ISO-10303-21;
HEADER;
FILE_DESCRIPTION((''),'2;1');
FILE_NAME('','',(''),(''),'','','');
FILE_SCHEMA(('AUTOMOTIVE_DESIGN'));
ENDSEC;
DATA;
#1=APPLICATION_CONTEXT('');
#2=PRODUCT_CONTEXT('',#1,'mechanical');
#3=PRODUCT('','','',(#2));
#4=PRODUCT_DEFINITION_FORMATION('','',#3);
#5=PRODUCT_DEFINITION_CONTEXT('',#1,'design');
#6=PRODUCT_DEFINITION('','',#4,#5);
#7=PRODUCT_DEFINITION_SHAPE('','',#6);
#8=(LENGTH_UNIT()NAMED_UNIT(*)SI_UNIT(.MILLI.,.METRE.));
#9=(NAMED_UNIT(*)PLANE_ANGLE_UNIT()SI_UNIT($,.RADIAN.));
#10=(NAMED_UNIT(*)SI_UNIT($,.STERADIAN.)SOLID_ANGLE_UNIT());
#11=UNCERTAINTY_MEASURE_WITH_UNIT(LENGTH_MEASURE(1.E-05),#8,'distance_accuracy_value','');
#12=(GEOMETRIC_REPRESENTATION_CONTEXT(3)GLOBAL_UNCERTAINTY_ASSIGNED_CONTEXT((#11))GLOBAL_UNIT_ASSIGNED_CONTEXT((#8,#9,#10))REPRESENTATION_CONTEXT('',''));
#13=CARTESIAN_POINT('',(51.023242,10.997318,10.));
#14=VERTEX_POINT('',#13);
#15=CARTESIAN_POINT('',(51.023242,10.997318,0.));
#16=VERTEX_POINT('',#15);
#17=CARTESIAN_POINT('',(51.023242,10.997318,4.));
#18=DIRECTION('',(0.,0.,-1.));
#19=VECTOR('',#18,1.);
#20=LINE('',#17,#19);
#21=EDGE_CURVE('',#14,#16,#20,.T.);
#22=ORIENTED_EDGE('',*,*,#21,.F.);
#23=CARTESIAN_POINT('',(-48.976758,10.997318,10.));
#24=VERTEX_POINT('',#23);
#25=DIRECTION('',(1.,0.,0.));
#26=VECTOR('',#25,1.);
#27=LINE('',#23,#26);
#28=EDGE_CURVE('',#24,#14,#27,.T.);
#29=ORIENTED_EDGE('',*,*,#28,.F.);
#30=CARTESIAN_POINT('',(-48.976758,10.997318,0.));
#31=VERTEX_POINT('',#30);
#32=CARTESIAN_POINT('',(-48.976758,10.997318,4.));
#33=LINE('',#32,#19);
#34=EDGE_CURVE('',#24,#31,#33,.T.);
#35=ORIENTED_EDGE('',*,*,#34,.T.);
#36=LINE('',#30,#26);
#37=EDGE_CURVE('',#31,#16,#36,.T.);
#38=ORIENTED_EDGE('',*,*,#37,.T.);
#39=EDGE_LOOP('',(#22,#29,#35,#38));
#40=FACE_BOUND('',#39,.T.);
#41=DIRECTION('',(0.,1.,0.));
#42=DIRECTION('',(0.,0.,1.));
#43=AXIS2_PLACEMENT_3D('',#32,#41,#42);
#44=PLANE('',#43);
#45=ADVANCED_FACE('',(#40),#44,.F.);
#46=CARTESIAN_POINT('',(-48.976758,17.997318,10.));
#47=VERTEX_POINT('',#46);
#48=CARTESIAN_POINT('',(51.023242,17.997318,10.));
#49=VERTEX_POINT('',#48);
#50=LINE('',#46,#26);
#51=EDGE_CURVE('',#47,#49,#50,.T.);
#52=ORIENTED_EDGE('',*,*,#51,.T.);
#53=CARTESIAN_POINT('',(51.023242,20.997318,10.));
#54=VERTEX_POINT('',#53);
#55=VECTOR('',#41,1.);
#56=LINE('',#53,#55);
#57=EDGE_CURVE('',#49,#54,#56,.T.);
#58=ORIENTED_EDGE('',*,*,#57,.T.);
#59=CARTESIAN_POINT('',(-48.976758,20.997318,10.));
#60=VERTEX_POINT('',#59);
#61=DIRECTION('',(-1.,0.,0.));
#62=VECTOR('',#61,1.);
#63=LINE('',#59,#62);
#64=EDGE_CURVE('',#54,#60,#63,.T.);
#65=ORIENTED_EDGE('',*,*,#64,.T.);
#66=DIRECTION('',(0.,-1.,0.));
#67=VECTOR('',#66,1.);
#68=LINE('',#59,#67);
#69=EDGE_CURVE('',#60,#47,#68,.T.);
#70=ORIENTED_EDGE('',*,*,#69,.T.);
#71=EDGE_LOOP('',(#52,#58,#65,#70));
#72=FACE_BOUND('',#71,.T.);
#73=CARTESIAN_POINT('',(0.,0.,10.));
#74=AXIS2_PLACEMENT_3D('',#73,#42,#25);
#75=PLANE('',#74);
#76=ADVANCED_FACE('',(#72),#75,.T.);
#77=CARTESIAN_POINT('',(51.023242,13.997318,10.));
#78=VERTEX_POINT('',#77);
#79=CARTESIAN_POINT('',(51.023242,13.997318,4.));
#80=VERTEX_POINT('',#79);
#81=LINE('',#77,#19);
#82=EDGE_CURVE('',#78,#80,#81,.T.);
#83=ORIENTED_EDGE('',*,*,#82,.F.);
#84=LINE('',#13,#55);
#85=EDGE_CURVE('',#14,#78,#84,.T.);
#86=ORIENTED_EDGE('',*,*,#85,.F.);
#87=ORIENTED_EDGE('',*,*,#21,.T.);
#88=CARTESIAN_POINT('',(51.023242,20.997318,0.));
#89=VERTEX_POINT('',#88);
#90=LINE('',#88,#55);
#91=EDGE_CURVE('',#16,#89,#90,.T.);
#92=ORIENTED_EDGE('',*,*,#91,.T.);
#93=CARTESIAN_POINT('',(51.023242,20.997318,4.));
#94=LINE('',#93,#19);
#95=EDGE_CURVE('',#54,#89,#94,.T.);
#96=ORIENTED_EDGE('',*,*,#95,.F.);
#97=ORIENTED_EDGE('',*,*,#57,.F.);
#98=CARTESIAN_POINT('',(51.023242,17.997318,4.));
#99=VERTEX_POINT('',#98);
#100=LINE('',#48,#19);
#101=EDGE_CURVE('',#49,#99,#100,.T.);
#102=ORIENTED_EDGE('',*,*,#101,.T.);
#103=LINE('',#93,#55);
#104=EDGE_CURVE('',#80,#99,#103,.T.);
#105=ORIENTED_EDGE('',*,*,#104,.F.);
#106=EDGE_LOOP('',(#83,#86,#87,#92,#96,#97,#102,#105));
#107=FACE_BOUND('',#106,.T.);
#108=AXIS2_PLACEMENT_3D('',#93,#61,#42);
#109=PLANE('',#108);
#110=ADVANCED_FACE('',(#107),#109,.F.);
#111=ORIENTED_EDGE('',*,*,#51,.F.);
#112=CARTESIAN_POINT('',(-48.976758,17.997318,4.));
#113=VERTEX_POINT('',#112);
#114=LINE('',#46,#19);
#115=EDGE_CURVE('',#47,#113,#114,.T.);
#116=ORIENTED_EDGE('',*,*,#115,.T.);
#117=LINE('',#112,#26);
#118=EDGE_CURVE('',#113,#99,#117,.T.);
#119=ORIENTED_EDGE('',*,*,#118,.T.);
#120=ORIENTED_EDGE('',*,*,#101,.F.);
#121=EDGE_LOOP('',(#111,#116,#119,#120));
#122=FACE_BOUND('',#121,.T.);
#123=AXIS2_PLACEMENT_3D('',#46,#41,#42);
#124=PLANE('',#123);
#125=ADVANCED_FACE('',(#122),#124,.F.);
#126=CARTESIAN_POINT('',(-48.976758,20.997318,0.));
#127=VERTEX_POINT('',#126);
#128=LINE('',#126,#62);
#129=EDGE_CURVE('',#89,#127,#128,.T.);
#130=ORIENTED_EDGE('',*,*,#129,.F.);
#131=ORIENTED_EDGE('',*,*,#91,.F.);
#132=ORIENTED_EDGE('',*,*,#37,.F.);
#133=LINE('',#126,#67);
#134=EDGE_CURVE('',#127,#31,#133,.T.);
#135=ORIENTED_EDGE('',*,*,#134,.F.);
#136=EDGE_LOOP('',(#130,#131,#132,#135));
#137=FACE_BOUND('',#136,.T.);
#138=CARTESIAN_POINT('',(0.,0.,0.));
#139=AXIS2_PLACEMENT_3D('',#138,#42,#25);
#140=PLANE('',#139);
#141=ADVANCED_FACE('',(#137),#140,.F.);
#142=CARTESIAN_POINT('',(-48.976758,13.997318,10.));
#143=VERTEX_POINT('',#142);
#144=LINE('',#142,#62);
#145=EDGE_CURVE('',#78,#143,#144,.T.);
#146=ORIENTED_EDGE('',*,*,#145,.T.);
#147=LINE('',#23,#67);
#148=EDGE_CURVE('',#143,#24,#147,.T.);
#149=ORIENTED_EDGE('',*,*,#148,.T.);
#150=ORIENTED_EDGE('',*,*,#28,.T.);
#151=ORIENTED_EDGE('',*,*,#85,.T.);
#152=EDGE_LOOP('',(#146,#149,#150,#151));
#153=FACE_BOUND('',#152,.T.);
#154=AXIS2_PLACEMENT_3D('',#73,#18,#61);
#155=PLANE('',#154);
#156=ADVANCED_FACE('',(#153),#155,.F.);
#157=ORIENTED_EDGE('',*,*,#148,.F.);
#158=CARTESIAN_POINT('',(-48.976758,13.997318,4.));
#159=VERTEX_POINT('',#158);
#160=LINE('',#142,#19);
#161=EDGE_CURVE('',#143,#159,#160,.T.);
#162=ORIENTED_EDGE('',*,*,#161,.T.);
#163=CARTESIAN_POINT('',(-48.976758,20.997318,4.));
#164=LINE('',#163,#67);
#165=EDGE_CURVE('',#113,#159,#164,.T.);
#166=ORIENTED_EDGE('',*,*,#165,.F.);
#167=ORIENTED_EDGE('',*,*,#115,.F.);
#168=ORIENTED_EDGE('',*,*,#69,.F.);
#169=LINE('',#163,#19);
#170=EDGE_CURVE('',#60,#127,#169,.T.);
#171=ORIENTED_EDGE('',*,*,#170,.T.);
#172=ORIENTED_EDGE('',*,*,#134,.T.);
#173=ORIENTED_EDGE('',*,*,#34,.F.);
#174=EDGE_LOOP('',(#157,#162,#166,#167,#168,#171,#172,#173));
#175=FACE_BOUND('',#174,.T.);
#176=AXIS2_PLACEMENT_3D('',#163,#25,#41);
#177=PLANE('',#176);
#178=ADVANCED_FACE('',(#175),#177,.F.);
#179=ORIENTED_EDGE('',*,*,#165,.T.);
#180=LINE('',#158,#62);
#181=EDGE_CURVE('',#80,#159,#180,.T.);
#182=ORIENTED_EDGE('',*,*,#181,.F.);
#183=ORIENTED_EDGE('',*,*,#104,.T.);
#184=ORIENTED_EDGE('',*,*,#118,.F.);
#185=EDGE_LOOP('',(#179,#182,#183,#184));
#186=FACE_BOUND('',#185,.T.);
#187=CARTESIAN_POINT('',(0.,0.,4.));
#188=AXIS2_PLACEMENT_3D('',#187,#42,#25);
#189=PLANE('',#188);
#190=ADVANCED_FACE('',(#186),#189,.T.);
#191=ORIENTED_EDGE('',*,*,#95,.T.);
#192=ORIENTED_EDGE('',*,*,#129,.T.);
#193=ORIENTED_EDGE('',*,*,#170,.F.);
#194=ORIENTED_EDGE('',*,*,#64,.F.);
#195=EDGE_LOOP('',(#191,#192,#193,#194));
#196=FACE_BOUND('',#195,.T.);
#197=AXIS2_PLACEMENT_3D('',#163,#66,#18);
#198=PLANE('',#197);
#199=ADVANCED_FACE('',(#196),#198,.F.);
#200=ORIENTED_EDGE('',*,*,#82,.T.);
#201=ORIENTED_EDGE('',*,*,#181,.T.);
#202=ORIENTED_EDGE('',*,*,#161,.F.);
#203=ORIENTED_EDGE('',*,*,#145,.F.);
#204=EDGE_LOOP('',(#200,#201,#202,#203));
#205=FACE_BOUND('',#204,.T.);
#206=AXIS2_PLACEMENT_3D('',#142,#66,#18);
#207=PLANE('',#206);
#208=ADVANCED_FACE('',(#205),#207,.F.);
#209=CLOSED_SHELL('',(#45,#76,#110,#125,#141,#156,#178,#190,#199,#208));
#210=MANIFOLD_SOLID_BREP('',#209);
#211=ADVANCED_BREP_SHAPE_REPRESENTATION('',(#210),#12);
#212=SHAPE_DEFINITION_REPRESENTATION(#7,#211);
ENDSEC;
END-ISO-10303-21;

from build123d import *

# Parameters (mm, degrees)
SKETCH_1_W      = 100
SKETCH_1_H      = 10
EXTRUDE_1_DEPTH = 4
SKETCH_2_W      = 100
SKETCH_2_H      = 3
EXTRUDE_2_DEPTH = 6


with BuildPart() as part:
    # 草图1 → 凸台-拉伸1 (new body)
    with BuildSketch(Plane.XY):
        with Locations((1.023241914, 15.99731763)):
            Rectangle(SKETCH_1_W, SKETCH_1_H)
    extrude(amount=EXTRUDE_1_DEPTH)

    # 草图2 → 凸台-拉伸2 (add)
    with BuildSketch(Plane.XY.offset(4)):
        with Locations((1.023241914, 19.49731763)):
            Rectangle(SKETCH_2_W, SKETCH_2_H)
        with Locations((1.023241914, 12.49731763)):
            Rectangle(SKETCH_2_W, SKETCH_2_H)
    extrude(amount=EXTRUDE_2_DEPTH)


solid = part.part
